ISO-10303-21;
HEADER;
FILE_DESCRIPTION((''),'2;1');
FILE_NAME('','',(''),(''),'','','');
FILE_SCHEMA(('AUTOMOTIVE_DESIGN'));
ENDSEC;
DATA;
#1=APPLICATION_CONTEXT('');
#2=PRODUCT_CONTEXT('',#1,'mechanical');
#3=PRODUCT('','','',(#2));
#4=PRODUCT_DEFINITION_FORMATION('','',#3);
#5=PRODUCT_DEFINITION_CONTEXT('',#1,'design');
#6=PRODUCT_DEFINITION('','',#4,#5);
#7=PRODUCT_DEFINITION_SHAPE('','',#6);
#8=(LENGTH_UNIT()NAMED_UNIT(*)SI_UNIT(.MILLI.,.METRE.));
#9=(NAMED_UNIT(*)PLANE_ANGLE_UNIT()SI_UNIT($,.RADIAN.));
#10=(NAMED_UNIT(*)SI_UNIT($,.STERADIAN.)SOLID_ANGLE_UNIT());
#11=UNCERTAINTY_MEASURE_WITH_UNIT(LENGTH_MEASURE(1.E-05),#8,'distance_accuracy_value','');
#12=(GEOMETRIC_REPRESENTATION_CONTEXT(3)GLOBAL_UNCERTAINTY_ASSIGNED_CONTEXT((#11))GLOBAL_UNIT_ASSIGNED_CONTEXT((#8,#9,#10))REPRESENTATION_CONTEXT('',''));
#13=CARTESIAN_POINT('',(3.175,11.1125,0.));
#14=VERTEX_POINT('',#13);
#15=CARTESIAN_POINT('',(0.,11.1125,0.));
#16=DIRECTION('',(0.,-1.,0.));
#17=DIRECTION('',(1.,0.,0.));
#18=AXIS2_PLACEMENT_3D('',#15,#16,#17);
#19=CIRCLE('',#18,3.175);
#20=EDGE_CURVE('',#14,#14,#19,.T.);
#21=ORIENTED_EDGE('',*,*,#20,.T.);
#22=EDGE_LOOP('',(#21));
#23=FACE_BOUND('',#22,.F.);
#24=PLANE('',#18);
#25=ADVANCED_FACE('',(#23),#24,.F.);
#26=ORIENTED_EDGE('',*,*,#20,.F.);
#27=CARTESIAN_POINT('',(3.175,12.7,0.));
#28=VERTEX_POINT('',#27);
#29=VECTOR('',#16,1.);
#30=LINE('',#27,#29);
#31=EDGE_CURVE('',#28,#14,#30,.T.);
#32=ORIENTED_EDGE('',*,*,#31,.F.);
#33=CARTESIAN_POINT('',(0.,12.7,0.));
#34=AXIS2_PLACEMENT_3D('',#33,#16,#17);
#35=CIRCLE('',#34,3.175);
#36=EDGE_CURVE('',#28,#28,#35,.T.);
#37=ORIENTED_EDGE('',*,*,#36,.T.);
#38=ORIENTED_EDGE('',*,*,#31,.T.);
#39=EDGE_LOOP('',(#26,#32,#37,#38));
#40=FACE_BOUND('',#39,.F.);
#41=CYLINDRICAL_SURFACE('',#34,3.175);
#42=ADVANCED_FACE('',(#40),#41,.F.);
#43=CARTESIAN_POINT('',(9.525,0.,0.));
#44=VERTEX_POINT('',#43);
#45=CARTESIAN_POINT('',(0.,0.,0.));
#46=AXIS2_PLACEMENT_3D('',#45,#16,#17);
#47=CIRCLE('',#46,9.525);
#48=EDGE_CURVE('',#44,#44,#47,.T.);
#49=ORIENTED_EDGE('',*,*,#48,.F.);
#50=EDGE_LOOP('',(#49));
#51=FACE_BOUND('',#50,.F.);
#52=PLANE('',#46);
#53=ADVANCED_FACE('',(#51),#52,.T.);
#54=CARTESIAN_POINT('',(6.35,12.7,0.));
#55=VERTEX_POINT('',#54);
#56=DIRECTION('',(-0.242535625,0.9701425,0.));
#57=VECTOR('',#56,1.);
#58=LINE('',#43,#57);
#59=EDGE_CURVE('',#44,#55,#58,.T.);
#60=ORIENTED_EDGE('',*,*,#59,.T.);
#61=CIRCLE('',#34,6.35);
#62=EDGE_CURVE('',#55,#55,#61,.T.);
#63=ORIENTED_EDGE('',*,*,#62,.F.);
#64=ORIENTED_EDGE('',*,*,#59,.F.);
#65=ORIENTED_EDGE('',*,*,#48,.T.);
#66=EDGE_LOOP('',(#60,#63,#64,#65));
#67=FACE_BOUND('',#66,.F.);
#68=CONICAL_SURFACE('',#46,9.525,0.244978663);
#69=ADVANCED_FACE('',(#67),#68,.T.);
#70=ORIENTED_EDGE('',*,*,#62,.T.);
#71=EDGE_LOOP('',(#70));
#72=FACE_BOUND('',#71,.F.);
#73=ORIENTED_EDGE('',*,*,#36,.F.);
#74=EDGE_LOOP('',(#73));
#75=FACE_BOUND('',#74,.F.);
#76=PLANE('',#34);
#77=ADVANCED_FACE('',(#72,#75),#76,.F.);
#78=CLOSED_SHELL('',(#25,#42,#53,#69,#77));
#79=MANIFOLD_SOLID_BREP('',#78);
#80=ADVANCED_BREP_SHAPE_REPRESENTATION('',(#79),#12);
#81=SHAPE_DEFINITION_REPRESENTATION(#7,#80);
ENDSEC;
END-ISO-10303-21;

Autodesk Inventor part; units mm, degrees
ref_plane "YZ Plane" through (0, 0, 0) normal (1, 0, 0) x (0, 1, 0)
ref_plane "XZ Plane" through (0, 0, 0) normal (0, 1, 0) x (-1, 0, 0)
ref_plane "XY Plane" through (0, 0, 0) normal (0, 0, 1) x (1, 0, 0)
sketch "Sketch1" plane through (0, 0, 0) normal (0, 0, 1) x (1, 0, 0)
  line L0 (0, 0) -> (9.525, 0)
  line L1 (9.525, 0) -> (6.35, 12.7)
  line L2 (6.35, 12.7) -> (3.175, 12.7)
  line L3 (3.175, 12.7) -> (3.175, 11.1125)
  line L4 (3.175, 11.1125) -> (0, 11.1125)
  line L5 (0, 11.1125) -> (0, 0)
  dimension "d0" = 9.525
  dimension "d3" = 3.175
  dimension "d4" = 1.5875
  dimension "d5" = 11.1125
revolve "Revolution1" add sketch "Sketch1" angle 360 about axis through (0, 11.1125, 0) along (0, -1, 0)
properties part number "doorstop"
